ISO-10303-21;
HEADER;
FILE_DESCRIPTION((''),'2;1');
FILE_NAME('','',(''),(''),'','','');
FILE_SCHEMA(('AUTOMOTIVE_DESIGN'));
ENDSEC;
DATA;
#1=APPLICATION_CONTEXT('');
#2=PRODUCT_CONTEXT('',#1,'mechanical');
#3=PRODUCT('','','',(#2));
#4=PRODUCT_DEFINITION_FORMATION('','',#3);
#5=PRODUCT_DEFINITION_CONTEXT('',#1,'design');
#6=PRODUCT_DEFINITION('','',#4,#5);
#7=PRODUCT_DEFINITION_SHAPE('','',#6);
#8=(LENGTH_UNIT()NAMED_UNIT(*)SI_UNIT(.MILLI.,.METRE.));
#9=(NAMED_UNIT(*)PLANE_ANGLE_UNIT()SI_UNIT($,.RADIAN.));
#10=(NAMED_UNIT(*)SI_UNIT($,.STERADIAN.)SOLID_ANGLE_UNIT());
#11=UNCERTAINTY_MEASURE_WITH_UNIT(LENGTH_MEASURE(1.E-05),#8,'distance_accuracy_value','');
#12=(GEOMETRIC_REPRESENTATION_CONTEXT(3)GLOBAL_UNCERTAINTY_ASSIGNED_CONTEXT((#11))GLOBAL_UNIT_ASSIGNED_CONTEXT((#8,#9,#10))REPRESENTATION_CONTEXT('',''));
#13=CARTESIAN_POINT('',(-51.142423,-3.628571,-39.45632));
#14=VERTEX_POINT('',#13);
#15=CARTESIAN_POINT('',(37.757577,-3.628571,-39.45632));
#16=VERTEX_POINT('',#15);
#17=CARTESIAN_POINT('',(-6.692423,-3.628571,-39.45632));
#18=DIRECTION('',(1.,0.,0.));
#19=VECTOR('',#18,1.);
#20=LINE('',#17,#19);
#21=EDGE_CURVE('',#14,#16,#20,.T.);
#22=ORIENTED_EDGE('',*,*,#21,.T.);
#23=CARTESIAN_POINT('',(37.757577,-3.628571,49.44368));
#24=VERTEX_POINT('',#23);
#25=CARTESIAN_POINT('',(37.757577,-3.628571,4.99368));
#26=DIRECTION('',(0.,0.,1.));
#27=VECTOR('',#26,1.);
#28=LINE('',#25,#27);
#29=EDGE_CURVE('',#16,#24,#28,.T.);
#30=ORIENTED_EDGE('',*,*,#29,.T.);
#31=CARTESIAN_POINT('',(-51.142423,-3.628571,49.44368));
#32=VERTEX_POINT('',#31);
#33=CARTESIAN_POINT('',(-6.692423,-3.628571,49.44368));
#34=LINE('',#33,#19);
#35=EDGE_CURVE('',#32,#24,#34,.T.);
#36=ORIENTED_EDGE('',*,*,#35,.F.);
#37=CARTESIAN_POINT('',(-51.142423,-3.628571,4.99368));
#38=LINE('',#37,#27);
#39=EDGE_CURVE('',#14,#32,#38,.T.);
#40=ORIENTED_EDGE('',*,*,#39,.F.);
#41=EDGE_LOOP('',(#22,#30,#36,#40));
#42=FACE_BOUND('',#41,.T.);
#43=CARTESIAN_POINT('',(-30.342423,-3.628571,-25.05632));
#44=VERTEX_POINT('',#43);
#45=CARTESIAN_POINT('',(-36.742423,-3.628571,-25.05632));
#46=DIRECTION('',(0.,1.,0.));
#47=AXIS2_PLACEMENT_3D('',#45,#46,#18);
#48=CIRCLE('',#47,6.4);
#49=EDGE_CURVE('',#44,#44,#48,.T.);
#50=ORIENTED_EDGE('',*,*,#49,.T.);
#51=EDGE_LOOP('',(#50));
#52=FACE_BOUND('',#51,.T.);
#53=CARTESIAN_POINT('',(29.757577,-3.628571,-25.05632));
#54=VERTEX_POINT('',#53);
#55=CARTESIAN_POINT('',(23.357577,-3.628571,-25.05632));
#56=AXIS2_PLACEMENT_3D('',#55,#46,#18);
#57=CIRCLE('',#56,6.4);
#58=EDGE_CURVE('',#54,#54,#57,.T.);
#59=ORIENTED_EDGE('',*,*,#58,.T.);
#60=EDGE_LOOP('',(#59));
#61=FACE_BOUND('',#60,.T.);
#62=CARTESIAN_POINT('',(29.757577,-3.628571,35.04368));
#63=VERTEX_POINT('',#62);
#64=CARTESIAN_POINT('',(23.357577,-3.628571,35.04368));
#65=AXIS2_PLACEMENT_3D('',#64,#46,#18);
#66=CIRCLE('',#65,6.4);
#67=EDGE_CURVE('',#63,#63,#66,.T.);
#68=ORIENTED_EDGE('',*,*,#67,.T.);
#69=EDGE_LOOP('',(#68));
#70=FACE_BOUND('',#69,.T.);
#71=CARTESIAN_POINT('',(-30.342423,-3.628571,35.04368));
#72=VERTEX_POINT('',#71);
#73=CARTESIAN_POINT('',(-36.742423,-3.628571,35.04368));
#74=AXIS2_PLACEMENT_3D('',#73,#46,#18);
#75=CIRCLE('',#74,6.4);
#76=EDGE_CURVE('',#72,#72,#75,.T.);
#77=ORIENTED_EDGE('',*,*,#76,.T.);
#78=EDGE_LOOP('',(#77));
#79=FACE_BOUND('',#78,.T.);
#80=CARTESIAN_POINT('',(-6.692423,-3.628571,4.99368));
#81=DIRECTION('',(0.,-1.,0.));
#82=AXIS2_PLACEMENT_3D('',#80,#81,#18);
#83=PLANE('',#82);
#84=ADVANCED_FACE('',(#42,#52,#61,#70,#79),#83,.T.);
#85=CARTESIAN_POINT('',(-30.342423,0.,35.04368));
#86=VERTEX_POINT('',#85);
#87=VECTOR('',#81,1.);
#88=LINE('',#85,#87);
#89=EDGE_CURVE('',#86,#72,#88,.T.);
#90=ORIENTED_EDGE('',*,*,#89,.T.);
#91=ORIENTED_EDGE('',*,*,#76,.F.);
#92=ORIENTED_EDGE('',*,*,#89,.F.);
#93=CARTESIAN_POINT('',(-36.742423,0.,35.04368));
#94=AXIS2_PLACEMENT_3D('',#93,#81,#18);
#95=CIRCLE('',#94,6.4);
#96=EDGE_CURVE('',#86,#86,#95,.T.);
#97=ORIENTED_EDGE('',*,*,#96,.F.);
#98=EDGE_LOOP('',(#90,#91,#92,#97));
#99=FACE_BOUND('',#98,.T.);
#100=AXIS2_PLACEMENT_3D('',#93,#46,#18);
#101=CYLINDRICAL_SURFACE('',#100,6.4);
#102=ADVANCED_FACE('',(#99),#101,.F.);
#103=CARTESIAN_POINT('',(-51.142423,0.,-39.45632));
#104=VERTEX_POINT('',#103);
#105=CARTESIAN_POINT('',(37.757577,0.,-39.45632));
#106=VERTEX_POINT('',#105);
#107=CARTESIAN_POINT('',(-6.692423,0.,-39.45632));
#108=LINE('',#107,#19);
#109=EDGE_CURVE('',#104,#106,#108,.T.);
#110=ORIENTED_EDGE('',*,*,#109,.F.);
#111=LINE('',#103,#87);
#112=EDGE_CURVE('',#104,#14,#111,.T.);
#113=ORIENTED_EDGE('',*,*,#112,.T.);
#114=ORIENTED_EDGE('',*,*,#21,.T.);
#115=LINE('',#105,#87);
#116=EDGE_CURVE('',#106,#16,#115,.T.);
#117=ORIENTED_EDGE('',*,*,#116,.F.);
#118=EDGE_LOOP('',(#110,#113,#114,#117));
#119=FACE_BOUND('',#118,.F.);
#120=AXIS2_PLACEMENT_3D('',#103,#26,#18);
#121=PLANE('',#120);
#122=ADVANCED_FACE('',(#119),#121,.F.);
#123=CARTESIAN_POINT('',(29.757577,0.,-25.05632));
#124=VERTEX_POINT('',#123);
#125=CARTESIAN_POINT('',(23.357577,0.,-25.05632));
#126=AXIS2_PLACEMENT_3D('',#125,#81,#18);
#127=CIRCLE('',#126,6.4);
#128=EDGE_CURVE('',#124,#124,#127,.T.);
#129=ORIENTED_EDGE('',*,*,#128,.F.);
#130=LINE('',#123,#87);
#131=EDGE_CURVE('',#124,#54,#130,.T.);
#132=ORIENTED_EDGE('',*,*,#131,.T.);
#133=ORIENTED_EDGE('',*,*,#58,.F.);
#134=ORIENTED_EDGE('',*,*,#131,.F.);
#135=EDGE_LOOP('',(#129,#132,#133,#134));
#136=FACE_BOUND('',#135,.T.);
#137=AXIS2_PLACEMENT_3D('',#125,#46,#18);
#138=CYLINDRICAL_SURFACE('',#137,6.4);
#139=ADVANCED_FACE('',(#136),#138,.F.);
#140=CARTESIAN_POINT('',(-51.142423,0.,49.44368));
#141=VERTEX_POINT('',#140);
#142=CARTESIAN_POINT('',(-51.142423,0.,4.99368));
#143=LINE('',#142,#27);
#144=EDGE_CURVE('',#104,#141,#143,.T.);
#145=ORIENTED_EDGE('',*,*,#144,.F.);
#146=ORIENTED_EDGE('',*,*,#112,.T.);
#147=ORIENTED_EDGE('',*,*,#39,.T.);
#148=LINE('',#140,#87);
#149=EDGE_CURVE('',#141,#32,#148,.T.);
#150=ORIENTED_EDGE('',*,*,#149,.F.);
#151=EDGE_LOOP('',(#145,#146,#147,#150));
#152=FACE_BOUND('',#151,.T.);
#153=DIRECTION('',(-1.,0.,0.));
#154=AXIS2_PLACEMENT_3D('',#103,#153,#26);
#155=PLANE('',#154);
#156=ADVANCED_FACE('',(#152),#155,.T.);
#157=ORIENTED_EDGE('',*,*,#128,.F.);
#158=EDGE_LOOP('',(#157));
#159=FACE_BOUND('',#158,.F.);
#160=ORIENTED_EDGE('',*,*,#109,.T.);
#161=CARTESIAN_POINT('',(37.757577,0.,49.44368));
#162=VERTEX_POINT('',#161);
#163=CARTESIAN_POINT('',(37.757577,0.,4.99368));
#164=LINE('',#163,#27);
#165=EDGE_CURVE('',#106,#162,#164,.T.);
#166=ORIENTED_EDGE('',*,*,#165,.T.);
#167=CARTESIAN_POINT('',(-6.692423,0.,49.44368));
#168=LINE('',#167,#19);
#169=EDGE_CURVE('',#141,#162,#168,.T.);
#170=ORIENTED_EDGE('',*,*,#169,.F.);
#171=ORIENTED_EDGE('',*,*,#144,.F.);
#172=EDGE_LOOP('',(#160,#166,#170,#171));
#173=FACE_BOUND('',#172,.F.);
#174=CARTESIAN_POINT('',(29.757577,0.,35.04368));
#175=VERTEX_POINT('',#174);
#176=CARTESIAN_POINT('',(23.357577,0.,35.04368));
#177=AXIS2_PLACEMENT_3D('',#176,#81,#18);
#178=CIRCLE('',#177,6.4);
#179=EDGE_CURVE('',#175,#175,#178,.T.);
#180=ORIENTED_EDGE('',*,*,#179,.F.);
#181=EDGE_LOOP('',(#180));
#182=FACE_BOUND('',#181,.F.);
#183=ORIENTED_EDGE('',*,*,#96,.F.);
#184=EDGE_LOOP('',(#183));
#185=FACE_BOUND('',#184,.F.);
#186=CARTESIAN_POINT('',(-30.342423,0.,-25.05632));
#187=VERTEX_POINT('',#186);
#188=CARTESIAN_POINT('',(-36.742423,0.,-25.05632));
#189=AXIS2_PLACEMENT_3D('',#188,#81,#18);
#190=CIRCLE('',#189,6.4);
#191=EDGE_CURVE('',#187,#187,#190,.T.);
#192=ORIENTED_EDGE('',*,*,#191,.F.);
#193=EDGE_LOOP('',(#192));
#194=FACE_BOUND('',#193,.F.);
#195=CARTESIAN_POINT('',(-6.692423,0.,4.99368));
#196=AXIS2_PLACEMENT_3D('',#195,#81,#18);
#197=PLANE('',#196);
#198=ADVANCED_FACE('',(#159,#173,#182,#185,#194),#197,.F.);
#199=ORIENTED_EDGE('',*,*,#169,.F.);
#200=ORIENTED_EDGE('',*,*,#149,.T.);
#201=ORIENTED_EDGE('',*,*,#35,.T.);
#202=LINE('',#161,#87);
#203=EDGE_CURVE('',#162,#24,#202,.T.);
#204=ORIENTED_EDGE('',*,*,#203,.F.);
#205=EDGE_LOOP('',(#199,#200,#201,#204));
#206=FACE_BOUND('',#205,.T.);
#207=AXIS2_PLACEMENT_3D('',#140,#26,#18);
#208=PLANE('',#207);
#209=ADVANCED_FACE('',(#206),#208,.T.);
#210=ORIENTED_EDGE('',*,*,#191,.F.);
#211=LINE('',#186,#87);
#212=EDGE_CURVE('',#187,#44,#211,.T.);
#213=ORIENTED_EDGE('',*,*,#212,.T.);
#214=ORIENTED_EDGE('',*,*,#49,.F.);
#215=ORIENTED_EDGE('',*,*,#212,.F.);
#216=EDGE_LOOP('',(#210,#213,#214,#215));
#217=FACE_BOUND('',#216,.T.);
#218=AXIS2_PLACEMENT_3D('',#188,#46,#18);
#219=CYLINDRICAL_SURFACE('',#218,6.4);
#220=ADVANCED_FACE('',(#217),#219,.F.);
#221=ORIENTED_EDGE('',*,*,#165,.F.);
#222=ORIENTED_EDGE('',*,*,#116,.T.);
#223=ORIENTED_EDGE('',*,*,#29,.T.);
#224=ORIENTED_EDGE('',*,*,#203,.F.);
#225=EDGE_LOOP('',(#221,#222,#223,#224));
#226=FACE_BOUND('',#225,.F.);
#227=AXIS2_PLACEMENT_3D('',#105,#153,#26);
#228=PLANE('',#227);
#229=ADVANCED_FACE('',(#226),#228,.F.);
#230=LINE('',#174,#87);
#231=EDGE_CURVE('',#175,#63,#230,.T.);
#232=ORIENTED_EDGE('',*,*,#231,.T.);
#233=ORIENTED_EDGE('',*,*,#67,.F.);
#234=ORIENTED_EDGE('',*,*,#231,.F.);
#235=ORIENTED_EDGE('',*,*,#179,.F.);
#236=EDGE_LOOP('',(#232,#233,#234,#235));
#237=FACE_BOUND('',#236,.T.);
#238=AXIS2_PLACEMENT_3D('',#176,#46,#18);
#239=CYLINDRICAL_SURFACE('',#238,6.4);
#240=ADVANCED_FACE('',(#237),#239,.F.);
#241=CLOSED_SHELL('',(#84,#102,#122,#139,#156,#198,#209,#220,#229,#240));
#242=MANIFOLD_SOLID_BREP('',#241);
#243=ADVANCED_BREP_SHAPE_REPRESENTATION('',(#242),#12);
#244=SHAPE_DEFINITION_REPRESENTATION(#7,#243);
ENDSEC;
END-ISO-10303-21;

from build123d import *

# Parameters (mm, degrees)
F0_W     = 88.9
F0_H     = 88.9
F1_DEPTH = 3.628571
F2_R     = 6.4
F3_DEPTH = 46.5


with BuildPart() as f1:
    # F0 (on Front) → F1 (new body)
    with BuildSketch(Plane.XZ):
        with Locations((-6.692423, 4.99368)):
            Rectangle(F0_W, F0_H)
    extrude(amount=F1_DEPTH)

    # F2 (on face) → F3 (cut)
    with BuildSketch(Plane.XZ):
        with Locations((23.357577, 35.04368)):
            Circle(F2_R)
        with Locations((23.357577, -25.05632)):
            Circle(F2_R)
        with Locations((-36.742423, -25.05632)):
            Circle(F2_R)
        with Locations((-36.742423, 35.04368)):
            Circle(F2_R)
    extrude(amount=F3_DEPTH, mode=Mode.SUBTRACT)


solid = f1.part
